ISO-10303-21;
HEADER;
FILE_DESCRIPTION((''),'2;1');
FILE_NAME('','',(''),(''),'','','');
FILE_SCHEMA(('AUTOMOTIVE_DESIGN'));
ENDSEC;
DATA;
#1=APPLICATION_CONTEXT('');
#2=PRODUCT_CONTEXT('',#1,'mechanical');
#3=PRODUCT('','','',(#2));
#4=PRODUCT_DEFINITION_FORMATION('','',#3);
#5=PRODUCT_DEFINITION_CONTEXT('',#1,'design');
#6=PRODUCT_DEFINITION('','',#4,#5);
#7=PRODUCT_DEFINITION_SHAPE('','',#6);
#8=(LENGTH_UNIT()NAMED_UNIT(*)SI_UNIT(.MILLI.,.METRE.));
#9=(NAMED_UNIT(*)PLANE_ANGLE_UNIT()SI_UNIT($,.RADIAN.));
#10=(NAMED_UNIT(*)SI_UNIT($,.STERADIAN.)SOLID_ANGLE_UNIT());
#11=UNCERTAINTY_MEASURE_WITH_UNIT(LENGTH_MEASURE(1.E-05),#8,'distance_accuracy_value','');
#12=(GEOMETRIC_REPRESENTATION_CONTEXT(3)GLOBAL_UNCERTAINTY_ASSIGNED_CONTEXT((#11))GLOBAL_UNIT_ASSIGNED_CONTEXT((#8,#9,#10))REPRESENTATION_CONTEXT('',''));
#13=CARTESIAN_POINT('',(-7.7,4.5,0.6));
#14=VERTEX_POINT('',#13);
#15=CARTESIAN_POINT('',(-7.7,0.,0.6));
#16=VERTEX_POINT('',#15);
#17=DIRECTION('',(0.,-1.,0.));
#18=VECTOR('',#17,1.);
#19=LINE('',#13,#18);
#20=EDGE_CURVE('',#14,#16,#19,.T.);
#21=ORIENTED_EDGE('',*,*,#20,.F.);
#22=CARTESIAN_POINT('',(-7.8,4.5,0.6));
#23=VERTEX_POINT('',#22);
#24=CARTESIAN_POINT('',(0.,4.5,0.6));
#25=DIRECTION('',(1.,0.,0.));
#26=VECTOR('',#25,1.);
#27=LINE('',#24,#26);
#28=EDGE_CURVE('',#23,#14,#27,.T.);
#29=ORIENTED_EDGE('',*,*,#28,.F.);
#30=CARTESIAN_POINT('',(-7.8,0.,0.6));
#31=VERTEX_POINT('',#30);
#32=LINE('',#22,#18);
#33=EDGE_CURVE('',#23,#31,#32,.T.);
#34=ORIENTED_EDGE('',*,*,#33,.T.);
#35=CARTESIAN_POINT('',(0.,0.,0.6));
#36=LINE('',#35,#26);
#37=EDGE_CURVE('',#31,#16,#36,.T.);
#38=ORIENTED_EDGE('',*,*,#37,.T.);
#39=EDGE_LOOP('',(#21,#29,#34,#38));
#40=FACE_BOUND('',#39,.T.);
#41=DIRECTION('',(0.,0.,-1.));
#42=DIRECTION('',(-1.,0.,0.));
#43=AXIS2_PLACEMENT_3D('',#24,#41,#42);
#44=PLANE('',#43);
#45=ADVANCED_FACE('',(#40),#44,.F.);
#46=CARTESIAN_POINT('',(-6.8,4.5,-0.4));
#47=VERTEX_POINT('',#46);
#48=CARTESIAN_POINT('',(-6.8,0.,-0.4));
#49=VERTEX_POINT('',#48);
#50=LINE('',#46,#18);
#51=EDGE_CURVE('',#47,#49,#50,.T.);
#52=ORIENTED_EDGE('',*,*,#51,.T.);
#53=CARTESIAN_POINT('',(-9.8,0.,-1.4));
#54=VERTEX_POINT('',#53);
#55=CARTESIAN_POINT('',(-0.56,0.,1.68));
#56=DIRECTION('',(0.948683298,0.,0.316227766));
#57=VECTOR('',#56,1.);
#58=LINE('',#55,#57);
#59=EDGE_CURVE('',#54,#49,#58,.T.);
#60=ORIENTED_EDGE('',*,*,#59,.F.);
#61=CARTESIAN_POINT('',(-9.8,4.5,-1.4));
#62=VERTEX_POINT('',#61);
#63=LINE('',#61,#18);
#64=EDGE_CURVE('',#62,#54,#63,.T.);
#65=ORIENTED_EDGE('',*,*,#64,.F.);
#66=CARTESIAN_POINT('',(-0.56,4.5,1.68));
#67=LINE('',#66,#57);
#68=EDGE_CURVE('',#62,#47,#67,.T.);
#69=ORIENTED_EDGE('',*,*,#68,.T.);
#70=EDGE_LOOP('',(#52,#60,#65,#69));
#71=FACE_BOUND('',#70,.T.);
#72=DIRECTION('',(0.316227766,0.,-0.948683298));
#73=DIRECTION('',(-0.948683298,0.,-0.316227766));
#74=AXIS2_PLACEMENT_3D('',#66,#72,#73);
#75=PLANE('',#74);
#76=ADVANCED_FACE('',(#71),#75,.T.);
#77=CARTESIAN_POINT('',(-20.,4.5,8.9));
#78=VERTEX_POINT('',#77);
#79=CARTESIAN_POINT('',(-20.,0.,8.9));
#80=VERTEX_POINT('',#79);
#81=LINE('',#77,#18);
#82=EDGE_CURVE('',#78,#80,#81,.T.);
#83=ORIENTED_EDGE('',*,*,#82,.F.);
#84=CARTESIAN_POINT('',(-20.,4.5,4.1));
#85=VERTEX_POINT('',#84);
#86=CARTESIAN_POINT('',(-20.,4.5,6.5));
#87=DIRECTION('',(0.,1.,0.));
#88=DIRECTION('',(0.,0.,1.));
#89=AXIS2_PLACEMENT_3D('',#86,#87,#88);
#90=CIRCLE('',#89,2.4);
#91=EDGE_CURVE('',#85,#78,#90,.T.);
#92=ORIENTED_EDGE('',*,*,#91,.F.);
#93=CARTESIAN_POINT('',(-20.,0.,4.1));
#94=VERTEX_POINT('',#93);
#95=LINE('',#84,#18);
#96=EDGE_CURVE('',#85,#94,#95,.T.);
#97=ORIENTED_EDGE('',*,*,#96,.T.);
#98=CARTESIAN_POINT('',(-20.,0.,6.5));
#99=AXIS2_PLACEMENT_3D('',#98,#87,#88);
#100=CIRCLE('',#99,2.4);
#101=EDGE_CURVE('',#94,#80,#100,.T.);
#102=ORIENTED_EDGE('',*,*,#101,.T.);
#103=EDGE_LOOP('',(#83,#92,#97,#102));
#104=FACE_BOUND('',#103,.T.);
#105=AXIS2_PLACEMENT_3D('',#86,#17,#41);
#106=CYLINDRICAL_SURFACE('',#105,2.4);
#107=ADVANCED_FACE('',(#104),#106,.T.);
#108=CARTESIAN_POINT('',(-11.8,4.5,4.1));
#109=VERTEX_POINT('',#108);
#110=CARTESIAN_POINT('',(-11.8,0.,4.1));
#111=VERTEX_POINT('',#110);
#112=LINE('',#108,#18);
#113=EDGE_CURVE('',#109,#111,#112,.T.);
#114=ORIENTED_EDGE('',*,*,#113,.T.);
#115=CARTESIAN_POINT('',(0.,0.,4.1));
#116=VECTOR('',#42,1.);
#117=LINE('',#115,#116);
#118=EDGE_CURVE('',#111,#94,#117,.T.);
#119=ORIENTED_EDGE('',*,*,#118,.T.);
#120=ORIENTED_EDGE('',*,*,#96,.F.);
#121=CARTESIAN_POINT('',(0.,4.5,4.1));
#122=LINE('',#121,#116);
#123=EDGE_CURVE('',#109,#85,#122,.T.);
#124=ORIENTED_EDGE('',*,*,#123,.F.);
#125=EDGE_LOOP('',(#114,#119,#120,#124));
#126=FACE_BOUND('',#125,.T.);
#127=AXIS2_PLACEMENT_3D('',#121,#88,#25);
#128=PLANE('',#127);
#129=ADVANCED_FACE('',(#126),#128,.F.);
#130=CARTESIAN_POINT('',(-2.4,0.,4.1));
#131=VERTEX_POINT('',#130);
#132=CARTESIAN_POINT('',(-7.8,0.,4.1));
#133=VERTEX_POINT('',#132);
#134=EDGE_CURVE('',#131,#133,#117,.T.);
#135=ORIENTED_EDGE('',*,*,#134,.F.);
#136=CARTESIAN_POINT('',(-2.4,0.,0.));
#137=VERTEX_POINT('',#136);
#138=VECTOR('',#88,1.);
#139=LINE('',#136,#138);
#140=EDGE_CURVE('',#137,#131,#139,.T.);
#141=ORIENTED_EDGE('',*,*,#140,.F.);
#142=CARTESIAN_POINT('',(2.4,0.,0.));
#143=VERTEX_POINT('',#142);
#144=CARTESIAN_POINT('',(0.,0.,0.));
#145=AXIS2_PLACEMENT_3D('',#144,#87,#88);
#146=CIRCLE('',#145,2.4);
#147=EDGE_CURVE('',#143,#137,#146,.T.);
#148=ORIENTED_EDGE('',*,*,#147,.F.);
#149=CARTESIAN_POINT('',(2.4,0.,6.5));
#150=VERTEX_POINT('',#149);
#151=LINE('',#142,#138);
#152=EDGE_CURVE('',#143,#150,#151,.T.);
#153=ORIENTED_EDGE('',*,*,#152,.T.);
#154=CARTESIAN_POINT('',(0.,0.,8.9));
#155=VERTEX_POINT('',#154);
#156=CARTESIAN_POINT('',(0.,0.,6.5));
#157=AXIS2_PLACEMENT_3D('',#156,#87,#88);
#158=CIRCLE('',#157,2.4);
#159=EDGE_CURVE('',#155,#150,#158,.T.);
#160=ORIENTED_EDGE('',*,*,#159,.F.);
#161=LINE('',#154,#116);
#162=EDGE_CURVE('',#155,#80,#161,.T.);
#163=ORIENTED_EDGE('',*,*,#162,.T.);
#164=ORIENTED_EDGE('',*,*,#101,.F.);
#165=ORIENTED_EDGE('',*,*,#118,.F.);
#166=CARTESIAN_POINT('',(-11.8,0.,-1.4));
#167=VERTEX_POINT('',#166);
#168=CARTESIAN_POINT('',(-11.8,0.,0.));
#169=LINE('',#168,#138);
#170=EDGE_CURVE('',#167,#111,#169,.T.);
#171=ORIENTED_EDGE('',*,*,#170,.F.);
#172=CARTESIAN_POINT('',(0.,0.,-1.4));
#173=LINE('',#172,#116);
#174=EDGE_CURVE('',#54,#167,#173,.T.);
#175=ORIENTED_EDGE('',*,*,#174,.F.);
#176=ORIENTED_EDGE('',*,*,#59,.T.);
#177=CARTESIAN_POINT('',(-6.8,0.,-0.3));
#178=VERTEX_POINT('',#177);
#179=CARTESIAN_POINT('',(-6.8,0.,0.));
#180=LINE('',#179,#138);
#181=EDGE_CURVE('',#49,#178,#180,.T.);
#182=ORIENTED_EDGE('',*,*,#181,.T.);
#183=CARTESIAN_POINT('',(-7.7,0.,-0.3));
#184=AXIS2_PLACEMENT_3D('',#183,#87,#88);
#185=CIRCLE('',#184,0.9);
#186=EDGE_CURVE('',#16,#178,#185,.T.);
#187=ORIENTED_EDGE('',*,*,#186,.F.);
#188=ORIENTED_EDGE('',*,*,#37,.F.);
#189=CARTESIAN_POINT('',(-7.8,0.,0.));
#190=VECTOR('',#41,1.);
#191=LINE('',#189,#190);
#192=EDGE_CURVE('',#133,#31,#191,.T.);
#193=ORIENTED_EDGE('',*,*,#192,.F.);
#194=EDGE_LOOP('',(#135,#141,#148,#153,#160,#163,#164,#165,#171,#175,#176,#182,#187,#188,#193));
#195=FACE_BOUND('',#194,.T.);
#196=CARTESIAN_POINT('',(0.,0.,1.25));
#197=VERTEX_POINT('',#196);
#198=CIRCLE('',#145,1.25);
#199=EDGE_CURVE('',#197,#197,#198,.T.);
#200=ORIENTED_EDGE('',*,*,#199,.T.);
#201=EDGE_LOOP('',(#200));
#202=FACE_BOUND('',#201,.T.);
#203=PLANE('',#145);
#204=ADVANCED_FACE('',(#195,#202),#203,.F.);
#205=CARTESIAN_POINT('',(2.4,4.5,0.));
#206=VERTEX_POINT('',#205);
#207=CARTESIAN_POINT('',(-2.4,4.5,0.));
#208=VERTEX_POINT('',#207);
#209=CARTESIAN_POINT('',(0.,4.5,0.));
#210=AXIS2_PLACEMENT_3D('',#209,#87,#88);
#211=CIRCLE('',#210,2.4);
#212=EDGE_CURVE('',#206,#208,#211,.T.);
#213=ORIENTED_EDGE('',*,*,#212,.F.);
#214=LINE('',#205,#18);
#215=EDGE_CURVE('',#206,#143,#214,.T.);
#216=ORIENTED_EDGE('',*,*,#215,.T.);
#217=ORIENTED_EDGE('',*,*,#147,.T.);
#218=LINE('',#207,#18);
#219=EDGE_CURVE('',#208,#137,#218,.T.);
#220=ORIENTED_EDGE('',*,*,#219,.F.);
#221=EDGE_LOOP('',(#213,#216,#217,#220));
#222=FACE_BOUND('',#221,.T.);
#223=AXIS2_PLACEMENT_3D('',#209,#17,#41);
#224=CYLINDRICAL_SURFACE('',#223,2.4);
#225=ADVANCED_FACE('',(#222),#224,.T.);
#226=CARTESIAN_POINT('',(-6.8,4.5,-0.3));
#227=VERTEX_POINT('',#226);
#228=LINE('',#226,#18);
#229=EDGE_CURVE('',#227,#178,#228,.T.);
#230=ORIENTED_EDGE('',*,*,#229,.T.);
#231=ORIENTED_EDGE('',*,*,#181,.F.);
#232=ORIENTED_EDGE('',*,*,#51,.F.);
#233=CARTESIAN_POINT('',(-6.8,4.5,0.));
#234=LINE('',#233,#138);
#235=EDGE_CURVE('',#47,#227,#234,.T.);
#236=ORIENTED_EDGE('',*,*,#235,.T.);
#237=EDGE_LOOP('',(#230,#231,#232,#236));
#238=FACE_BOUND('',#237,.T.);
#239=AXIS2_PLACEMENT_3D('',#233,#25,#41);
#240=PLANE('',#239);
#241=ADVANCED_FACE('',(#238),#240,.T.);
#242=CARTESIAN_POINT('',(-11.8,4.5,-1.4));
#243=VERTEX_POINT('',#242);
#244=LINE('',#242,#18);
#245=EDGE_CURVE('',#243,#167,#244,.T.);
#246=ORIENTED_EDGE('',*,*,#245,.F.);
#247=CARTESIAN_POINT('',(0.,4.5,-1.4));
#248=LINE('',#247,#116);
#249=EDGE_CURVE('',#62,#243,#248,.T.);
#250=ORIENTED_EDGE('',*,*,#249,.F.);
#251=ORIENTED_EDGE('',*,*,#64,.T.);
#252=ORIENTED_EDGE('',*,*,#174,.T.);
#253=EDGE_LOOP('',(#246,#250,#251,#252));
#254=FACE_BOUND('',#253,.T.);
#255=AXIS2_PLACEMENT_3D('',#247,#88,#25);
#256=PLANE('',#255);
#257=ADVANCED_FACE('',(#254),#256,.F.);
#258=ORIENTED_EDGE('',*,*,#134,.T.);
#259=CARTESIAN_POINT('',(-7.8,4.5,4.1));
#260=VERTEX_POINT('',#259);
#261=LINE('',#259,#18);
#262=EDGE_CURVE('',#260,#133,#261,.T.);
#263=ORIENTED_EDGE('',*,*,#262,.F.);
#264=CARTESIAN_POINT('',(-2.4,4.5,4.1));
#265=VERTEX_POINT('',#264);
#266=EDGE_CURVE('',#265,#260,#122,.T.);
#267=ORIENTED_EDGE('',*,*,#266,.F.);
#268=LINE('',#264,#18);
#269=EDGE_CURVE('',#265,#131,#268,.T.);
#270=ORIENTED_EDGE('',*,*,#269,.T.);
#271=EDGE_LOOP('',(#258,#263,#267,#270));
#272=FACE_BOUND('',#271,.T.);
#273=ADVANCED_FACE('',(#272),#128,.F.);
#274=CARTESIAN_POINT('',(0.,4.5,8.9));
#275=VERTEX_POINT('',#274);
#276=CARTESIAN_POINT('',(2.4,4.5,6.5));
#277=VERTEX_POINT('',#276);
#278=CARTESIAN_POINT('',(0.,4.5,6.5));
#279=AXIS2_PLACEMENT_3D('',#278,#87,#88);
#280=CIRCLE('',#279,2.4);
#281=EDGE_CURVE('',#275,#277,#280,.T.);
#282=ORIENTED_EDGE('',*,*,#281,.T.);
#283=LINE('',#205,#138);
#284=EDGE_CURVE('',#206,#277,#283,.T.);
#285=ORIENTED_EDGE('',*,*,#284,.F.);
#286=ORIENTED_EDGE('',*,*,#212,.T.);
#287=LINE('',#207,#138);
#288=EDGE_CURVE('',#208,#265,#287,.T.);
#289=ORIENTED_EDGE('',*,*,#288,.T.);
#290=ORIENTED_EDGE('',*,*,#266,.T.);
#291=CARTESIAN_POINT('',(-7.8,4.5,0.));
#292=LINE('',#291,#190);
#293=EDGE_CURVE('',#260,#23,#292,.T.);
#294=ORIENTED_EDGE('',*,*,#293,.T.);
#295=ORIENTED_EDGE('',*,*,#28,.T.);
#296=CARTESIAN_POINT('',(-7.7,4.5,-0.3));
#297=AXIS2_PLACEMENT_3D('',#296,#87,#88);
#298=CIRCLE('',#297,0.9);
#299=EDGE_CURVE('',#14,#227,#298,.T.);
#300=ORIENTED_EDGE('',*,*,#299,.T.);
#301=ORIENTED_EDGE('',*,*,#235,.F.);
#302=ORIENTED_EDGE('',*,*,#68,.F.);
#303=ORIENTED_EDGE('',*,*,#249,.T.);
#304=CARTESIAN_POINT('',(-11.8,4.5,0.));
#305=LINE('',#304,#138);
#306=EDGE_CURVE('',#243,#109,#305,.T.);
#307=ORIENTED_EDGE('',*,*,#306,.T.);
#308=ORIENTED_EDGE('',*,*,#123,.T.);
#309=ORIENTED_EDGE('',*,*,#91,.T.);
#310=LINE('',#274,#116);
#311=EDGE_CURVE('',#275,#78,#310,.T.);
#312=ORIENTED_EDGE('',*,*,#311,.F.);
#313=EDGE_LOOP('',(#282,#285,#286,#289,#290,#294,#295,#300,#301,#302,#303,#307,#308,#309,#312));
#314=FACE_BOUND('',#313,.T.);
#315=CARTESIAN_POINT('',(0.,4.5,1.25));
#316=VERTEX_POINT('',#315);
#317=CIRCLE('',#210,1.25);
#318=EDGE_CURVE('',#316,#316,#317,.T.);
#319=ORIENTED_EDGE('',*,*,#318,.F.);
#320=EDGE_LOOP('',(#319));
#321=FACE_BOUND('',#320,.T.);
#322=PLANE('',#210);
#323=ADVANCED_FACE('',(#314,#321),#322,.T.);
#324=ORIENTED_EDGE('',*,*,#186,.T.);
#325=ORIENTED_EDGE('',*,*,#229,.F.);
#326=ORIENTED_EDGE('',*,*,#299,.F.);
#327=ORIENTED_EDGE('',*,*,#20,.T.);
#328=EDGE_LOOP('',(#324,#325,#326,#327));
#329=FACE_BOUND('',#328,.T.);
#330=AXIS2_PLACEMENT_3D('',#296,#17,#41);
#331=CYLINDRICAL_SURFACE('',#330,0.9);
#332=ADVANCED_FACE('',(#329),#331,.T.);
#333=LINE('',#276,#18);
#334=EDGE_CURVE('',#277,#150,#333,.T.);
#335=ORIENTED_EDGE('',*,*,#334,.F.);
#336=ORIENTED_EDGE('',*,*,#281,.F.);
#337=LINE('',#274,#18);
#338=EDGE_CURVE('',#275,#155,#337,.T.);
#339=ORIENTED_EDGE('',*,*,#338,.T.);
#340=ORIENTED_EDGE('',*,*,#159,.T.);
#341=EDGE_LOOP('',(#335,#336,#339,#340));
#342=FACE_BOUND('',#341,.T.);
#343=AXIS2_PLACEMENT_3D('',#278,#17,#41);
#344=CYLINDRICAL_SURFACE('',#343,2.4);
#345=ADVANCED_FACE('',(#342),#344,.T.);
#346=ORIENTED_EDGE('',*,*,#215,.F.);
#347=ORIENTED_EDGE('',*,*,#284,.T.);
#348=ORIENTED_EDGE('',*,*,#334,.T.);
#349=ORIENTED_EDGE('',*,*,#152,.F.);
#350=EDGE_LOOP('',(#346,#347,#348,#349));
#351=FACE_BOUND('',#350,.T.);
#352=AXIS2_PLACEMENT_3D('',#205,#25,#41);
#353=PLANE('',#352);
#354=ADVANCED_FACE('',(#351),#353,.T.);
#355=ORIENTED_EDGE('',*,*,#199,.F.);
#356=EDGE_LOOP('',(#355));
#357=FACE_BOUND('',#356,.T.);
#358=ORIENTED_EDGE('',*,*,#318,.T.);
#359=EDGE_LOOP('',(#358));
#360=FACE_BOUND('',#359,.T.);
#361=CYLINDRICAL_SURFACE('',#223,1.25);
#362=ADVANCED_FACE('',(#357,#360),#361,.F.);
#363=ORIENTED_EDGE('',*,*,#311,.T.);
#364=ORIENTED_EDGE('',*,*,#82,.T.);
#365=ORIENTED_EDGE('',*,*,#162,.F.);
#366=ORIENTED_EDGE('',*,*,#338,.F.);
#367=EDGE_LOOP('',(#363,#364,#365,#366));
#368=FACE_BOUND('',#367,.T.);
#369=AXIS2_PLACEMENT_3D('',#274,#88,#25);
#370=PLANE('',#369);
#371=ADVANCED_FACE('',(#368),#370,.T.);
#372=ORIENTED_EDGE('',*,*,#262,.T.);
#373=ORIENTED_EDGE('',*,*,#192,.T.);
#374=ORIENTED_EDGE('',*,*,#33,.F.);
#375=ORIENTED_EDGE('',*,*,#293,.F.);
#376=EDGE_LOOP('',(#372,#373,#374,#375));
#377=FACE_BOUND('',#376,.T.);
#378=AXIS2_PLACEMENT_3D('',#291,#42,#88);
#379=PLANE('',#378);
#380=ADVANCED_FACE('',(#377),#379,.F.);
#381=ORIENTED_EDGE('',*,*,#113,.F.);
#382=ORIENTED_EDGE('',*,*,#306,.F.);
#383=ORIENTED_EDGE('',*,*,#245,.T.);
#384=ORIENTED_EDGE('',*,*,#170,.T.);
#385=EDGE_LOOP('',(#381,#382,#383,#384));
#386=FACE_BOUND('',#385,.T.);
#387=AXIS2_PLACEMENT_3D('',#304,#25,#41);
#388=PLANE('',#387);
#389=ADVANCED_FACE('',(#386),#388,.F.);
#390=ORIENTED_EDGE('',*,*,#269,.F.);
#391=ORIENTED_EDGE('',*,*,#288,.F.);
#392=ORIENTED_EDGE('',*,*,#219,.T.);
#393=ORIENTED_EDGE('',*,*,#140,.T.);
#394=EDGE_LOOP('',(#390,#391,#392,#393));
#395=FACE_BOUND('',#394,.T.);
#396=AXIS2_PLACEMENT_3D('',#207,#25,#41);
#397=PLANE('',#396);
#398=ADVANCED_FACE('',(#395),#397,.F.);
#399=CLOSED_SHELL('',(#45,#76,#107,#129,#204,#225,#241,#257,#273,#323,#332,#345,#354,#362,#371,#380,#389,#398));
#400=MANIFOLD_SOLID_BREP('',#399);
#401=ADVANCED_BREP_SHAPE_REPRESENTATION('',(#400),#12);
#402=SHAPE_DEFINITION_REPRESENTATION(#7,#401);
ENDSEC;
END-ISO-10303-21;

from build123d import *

# Parameters (mm, degrees)
SKETCH1_R           = 1.25
BOSS_EXTRUDE1_DEPTH = 4.5


with BuildPart() as part:
    # Sketch1 → Boss-Extrude1 (new body)
    with BuildSketch(Plane(origin=(0, 0, 0), x_dir=(1, 0, 0), z_dir=(0, 1, 0))):
        with BuildLine():
            Line((2.4, 0), (2.4, -6.5))
            ThreePointArc((2.4, -6.5), (1.697056275, -8.197056275), (0, -8.9))
            Line((0, -8.9), (-20, -8.9))
            ThreePointArc((-20, -8.9), (-22.4, -6.5), (-20, -4.1))
            Line((-20, -4.1), (-11.8, -4.1))
            Line((-11.8, -4.1), (-11.8, 1.4))
            Line((-11.8, 1.4), (-9.8, 1.4))
            Line((-9.8, 1.4), (-6.8, 0.4))
            Line((-6.8, 0.4), (-6.8, 0.3))
            ThreePointArc((-6.8, 0.3), (-7.063603897, -0.336396103), (-7.7, -0.6))
            Line((-7.7, -0.6), (-7.8, -0.6))
            Line((-7.8, -0.6), (-7.8, -4.1))
            Line((-7.8, -4.1), (-2.4, -4.1))
            Line((-2.4, -4.1), (-2.4, 0))
            ThreePointArc((-2.4, 0), (0, 2.4), (2.4, 0))
        make_face()
        with Locations(Location((0, 0, 0), (0, 0, 270))):
            Circle(SKETCH1_R, mode=Mode.SUBTRACT)
    extrude(amount=BOSS_EXTRUDE1_DEPTH)


solid = part.part
